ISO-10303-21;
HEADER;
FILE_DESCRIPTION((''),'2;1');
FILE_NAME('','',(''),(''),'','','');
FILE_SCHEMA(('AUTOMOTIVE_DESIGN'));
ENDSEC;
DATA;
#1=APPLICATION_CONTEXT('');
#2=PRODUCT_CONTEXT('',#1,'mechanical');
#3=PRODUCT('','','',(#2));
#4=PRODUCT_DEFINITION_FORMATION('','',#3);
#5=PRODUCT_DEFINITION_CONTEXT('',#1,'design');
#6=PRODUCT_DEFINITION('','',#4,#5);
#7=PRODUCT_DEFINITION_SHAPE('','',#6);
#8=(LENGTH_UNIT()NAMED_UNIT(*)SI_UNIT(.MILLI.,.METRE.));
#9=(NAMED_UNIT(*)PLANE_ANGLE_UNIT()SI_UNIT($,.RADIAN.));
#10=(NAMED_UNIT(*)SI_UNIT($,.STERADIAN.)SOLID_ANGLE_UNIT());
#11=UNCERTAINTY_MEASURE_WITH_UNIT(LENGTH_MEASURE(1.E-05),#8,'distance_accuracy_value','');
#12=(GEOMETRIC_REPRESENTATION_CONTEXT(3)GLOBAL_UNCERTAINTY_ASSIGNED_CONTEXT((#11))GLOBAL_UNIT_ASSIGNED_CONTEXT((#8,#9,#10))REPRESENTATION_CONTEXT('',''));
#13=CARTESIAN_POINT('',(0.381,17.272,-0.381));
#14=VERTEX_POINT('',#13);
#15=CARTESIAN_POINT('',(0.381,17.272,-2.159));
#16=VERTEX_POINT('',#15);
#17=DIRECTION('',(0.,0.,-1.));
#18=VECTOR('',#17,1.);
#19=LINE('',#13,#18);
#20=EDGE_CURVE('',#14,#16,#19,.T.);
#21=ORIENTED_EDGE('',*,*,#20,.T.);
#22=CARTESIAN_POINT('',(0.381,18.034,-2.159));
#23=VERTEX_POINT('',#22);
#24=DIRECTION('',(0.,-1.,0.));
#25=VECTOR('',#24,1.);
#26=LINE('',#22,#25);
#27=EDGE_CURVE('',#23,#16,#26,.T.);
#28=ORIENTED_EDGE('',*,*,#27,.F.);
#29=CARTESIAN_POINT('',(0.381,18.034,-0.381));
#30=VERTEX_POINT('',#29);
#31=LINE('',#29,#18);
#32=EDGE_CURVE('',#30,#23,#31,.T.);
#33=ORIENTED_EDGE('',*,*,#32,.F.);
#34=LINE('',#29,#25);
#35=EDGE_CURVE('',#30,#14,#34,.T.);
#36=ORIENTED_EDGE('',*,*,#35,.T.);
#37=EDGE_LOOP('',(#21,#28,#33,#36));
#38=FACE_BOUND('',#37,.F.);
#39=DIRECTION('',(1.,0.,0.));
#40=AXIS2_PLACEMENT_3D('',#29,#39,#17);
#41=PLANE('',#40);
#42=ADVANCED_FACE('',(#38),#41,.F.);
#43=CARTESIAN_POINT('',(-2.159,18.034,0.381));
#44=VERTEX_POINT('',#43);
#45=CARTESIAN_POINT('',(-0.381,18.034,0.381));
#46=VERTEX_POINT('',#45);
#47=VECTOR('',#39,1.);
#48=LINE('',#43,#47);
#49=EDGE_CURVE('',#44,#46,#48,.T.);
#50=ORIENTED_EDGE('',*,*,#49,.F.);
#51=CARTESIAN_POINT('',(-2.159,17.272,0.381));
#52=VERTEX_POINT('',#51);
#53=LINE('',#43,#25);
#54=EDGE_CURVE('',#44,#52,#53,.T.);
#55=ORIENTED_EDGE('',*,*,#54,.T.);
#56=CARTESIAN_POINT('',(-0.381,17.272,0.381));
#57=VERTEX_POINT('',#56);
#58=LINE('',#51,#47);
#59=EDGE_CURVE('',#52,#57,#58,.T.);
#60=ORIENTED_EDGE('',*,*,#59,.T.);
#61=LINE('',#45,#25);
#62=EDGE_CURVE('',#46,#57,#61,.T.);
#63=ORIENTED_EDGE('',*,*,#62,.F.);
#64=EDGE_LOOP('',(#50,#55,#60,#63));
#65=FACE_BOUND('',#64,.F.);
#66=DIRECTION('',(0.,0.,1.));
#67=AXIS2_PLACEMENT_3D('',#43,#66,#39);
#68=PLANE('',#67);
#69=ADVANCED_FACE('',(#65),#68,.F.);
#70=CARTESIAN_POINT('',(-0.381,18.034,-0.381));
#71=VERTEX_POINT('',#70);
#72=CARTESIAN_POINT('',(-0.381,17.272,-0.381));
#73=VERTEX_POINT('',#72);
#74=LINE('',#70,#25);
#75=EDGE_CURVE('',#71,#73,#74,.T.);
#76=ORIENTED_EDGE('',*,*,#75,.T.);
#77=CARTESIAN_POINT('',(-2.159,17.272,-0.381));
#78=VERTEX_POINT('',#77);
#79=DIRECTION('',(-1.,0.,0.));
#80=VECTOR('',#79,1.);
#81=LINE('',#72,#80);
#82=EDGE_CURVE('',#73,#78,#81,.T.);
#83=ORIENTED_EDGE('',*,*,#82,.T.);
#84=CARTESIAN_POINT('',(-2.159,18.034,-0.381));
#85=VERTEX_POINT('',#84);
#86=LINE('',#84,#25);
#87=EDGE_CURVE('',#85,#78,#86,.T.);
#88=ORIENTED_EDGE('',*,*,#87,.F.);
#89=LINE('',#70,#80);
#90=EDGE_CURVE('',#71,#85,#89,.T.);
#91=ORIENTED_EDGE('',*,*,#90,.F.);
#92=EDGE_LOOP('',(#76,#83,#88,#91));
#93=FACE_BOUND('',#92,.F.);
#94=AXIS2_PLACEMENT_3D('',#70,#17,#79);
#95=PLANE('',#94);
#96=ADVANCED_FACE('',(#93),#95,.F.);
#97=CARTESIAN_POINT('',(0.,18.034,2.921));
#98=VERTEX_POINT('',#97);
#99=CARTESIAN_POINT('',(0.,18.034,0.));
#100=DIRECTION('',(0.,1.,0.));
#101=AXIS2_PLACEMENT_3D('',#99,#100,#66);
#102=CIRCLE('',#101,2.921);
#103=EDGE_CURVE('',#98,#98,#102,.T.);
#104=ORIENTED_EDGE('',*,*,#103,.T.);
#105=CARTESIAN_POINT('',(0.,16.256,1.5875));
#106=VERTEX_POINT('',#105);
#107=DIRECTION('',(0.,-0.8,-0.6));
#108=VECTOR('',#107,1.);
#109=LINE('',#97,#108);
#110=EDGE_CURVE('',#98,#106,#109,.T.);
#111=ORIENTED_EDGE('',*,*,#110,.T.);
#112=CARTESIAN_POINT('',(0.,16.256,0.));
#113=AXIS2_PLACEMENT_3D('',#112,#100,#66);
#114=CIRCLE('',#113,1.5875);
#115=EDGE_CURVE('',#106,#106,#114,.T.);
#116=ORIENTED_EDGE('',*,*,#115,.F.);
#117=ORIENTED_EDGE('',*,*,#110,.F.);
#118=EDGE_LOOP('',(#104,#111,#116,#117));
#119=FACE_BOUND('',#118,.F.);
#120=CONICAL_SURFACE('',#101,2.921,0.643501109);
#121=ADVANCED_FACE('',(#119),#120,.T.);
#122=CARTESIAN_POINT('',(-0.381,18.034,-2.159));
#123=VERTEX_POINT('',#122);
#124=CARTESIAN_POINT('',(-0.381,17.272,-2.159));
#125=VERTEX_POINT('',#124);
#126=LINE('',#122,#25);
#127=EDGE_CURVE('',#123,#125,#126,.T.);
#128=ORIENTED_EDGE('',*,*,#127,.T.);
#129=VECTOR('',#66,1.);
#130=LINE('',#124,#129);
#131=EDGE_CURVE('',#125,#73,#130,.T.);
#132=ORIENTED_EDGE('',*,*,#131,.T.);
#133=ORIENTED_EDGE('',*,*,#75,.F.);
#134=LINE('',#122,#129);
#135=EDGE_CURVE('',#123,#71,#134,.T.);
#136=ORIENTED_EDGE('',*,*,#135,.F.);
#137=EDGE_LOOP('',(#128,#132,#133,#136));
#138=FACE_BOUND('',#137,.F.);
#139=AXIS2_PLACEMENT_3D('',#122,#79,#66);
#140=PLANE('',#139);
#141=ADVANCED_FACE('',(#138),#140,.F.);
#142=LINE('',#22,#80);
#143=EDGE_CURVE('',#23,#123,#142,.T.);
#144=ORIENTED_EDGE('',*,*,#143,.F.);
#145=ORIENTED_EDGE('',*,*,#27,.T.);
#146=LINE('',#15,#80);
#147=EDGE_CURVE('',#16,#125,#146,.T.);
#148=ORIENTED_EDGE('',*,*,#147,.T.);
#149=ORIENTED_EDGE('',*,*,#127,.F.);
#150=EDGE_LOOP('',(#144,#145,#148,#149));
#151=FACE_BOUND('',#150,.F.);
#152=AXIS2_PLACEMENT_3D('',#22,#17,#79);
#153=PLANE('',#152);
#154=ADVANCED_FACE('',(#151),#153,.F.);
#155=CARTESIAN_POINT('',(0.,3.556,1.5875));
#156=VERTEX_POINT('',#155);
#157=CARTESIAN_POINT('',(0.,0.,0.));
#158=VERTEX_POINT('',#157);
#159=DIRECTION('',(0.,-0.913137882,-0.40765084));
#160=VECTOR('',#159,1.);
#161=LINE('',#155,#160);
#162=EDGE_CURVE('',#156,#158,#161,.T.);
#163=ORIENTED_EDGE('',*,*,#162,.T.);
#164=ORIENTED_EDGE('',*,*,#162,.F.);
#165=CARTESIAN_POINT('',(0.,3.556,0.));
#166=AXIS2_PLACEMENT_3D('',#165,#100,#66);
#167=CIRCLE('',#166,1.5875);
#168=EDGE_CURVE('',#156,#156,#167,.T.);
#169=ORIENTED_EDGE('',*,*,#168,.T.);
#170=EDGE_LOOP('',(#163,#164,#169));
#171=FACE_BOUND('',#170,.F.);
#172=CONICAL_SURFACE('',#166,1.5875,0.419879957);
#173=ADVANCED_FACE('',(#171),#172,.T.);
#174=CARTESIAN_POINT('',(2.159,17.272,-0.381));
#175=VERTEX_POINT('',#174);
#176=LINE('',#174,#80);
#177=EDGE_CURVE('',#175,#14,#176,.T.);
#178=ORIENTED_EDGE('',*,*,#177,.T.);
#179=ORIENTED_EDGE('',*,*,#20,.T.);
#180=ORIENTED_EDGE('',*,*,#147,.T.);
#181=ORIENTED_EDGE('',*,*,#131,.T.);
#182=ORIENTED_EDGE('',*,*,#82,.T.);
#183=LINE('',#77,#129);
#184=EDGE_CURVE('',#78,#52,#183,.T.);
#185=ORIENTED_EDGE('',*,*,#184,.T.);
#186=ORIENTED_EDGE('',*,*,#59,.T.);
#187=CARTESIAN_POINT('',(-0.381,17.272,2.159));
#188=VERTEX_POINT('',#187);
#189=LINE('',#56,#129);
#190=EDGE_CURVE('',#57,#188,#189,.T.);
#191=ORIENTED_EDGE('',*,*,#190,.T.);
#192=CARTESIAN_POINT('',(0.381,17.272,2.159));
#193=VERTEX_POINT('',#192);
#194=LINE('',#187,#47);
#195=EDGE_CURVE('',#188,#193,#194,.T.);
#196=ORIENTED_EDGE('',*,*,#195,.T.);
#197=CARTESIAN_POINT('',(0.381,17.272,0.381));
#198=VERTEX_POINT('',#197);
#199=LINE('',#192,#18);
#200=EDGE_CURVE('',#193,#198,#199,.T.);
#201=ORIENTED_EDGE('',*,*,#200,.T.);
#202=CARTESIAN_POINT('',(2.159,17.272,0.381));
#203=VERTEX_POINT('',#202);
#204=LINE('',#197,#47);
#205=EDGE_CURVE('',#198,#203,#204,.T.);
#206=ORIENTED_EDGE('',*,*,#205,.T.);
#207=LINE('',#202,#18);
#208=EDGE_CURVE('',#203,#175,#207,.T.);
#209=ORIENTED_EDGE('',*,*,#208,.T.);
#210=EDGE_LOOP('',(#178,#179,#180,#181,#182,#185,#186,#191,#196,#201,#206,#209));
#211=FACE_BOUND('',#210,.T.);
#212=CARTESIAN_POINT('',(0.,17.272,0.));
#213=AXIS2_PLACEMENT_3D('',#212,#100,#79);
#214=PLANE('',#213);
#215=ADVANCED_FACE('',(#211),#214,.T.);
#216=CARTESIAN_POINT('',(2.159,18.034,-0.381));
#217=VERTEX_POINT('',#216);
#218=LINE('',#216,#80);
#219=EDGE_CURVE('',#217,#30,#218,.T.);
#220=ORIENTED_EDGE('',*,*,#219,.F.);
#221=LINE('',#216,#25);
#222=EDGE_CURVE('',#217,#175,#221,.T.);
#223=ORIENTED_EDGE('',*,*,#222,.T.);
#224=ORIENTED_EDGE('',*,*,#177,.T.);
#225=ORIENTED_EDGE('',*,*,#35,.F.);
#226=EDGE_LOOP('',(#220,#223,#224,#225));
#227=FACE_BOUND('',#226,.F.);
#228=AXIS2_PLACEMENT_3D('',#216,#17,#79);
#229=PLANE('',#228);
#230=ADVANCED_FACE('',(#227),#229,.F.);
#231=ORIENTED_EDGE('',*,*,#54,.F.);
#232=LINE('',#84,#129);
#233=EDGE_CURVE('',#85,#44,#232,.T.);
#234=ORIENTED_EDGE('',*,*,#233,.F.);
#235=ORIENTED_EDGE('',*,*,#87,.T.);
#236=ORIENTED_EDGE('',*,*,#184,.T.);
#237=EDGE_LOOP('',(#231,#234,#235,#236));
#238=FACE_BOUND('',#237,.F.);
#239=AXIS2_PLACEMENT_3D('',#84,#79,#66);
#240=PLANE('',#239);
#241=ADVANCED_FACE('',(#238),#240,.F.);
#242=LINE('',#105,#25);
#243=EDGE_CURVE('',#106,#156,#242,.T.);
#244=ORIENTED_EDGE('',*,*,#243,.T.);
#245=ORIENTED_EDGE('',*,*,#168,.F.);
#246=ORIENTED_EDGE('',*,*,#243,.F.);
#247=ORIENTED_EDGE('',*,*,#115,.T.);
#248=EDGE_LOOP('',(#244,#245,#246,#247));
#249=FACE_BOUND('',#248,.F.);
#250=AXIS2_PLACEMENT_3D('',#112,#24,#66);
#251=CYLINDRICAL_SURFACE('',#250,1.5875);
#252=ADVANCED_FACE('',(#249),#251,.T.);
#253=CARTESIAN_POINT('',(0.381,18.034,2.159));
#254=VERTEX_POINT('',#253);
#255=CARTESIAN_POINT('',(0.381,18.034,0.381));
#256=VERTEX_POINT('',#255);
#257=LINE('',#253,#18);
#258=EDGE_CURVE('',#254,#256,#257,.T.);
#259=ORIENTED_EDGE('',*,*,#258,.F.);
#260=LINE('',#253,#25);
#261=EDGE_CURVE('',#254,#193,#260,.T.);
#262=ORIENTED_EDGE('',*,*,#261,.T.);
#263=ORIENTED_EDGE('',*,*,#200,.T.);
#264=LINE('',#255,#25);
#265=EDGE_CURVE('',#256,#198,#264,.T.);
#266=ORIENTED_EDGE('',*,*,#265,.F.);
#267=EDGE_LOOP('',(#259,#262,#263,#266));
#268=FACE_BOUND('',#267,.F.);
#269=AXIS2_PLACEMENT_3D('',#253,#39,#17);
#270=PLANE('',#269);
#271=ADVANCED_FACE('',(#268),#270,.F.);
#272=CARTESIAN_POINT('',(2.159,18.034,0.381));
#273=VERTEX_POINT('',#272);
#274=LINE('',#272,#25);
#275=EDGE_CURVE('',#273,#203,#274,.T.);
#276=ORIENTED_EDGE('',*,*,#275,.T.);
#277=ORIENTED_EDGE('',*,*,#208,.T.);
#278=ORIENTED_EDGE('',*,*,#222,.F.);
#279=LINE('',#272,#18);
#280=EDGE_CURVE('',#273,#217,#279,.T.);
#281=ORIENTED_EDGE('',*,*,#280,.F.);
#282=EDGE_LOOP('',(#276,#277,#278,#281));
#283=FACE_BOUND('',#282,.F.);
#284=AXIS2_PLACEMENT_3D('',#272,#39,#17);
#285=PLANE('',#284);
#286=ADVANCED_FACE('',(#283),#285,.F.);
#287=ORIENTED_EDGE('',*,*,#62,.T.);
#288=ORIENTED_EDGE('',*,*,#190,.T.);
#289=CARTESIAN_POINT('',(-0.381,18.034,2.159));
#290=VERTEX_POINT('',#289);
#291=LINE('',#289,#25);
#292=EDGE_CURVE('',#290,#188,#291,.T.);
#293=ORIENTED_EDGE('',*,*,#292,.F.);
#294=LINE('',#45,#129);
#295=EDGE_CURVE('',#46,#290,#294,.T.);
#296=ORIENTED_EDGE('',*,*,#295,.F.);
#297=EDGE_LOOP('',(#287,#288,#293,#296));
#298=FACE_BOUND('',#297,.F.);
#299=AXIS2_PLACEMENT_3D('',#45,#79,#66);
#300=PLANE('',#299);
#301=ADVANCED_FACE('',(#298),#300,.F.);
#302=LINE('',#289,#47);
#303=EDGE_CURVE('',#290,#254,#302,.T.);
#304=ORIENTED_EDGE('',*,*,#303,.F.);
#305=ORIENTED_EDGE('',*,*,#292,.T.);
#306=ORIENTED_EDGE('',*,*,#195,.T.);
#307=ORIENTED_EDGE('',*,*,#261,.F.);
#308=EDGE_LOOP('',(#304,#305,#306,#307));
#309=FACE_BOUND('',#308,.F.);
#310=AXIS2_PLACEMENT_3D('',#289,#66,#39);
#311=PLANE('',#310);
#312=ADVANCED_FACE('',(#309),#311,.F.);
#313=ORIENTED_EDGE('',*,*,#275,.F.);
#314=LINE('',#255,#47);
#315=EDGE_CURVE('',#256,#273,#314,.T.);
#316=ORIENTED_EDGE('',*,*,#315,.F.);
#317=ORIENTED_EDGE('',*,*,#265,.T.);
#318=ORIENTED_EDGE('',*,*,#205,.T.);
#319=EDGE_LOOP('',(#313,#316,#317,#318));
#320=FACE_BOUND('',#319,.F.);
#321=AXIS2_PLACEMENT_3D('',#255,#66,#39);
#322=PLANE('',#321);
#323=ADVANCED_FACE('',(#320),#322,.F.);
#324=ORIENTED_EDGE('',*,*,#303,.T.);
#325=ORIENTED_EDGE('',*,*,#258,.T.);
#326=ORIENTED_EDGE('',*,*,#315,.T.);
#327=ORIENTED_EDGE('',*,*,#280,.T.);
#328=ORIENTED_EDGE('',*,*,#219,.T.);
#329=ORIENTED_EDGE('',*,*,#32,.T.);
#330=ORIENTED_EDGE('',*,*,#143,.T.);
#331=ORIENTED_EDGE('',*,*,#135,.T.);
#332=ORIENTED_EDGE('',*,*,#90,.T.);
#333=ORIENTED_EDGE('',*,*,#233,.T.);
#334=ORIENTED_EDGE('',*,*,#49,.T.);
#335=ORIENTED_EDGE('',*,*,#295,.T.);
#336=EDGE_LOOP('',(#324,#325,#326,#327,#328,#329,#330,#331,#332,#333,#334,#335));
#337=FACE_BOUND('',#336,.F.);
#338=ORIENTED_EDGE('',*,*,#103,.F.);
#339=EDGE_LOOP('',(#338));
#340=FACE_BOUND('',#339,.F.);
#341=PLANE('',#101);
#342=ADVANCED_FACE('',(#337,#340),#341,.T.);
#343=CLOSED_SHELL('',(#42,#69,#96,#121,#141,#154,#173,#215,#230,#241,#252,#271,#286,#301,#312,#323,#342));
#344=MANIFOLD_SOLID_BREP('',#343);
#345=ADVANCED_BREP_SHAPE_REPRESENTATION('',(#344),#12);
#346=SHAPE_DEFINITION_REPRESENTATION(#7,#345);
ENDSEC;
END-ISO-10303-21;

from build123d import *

# Parameters (mm, degrees)
F3_DEPTH = 0.762


with BuildPart() as f1:
    # F0 (on Right) → F1 (revolve)
    with BuildSketch(Plane.YZ):
        Polygon((16.256, 1.5875), (3.556, 1.5875), (0, 0), (18.034, 0), (18.034, 2.921), align=None)
    revolve(axis=Axis((0, 9.017, 0), (0, 1, 0)))

    # F2 (on face) → F3 (cut)
    with BuildSketch(Plane(origin=(0, 18.034, 0), x_dir=(-1, 0, 0), z_dir=(0, 1, 0))):
        Polygon((0.381, 2.159), (-0.381, 2.159), (-0.381, 0.381), (-2.159, 0.381), (-2.159, -0.381), (-0.381, -0.381), (-0.381, -2.159), (0.381, -2.159), (0.381, -0.381), (2.159, -0.381), (2.159, 0.381), (0.381, 0.381), align=None)
    extrude(amount=-F3_DEPTH, mode=Mode.SUBTRACT)


solid = f1.part
